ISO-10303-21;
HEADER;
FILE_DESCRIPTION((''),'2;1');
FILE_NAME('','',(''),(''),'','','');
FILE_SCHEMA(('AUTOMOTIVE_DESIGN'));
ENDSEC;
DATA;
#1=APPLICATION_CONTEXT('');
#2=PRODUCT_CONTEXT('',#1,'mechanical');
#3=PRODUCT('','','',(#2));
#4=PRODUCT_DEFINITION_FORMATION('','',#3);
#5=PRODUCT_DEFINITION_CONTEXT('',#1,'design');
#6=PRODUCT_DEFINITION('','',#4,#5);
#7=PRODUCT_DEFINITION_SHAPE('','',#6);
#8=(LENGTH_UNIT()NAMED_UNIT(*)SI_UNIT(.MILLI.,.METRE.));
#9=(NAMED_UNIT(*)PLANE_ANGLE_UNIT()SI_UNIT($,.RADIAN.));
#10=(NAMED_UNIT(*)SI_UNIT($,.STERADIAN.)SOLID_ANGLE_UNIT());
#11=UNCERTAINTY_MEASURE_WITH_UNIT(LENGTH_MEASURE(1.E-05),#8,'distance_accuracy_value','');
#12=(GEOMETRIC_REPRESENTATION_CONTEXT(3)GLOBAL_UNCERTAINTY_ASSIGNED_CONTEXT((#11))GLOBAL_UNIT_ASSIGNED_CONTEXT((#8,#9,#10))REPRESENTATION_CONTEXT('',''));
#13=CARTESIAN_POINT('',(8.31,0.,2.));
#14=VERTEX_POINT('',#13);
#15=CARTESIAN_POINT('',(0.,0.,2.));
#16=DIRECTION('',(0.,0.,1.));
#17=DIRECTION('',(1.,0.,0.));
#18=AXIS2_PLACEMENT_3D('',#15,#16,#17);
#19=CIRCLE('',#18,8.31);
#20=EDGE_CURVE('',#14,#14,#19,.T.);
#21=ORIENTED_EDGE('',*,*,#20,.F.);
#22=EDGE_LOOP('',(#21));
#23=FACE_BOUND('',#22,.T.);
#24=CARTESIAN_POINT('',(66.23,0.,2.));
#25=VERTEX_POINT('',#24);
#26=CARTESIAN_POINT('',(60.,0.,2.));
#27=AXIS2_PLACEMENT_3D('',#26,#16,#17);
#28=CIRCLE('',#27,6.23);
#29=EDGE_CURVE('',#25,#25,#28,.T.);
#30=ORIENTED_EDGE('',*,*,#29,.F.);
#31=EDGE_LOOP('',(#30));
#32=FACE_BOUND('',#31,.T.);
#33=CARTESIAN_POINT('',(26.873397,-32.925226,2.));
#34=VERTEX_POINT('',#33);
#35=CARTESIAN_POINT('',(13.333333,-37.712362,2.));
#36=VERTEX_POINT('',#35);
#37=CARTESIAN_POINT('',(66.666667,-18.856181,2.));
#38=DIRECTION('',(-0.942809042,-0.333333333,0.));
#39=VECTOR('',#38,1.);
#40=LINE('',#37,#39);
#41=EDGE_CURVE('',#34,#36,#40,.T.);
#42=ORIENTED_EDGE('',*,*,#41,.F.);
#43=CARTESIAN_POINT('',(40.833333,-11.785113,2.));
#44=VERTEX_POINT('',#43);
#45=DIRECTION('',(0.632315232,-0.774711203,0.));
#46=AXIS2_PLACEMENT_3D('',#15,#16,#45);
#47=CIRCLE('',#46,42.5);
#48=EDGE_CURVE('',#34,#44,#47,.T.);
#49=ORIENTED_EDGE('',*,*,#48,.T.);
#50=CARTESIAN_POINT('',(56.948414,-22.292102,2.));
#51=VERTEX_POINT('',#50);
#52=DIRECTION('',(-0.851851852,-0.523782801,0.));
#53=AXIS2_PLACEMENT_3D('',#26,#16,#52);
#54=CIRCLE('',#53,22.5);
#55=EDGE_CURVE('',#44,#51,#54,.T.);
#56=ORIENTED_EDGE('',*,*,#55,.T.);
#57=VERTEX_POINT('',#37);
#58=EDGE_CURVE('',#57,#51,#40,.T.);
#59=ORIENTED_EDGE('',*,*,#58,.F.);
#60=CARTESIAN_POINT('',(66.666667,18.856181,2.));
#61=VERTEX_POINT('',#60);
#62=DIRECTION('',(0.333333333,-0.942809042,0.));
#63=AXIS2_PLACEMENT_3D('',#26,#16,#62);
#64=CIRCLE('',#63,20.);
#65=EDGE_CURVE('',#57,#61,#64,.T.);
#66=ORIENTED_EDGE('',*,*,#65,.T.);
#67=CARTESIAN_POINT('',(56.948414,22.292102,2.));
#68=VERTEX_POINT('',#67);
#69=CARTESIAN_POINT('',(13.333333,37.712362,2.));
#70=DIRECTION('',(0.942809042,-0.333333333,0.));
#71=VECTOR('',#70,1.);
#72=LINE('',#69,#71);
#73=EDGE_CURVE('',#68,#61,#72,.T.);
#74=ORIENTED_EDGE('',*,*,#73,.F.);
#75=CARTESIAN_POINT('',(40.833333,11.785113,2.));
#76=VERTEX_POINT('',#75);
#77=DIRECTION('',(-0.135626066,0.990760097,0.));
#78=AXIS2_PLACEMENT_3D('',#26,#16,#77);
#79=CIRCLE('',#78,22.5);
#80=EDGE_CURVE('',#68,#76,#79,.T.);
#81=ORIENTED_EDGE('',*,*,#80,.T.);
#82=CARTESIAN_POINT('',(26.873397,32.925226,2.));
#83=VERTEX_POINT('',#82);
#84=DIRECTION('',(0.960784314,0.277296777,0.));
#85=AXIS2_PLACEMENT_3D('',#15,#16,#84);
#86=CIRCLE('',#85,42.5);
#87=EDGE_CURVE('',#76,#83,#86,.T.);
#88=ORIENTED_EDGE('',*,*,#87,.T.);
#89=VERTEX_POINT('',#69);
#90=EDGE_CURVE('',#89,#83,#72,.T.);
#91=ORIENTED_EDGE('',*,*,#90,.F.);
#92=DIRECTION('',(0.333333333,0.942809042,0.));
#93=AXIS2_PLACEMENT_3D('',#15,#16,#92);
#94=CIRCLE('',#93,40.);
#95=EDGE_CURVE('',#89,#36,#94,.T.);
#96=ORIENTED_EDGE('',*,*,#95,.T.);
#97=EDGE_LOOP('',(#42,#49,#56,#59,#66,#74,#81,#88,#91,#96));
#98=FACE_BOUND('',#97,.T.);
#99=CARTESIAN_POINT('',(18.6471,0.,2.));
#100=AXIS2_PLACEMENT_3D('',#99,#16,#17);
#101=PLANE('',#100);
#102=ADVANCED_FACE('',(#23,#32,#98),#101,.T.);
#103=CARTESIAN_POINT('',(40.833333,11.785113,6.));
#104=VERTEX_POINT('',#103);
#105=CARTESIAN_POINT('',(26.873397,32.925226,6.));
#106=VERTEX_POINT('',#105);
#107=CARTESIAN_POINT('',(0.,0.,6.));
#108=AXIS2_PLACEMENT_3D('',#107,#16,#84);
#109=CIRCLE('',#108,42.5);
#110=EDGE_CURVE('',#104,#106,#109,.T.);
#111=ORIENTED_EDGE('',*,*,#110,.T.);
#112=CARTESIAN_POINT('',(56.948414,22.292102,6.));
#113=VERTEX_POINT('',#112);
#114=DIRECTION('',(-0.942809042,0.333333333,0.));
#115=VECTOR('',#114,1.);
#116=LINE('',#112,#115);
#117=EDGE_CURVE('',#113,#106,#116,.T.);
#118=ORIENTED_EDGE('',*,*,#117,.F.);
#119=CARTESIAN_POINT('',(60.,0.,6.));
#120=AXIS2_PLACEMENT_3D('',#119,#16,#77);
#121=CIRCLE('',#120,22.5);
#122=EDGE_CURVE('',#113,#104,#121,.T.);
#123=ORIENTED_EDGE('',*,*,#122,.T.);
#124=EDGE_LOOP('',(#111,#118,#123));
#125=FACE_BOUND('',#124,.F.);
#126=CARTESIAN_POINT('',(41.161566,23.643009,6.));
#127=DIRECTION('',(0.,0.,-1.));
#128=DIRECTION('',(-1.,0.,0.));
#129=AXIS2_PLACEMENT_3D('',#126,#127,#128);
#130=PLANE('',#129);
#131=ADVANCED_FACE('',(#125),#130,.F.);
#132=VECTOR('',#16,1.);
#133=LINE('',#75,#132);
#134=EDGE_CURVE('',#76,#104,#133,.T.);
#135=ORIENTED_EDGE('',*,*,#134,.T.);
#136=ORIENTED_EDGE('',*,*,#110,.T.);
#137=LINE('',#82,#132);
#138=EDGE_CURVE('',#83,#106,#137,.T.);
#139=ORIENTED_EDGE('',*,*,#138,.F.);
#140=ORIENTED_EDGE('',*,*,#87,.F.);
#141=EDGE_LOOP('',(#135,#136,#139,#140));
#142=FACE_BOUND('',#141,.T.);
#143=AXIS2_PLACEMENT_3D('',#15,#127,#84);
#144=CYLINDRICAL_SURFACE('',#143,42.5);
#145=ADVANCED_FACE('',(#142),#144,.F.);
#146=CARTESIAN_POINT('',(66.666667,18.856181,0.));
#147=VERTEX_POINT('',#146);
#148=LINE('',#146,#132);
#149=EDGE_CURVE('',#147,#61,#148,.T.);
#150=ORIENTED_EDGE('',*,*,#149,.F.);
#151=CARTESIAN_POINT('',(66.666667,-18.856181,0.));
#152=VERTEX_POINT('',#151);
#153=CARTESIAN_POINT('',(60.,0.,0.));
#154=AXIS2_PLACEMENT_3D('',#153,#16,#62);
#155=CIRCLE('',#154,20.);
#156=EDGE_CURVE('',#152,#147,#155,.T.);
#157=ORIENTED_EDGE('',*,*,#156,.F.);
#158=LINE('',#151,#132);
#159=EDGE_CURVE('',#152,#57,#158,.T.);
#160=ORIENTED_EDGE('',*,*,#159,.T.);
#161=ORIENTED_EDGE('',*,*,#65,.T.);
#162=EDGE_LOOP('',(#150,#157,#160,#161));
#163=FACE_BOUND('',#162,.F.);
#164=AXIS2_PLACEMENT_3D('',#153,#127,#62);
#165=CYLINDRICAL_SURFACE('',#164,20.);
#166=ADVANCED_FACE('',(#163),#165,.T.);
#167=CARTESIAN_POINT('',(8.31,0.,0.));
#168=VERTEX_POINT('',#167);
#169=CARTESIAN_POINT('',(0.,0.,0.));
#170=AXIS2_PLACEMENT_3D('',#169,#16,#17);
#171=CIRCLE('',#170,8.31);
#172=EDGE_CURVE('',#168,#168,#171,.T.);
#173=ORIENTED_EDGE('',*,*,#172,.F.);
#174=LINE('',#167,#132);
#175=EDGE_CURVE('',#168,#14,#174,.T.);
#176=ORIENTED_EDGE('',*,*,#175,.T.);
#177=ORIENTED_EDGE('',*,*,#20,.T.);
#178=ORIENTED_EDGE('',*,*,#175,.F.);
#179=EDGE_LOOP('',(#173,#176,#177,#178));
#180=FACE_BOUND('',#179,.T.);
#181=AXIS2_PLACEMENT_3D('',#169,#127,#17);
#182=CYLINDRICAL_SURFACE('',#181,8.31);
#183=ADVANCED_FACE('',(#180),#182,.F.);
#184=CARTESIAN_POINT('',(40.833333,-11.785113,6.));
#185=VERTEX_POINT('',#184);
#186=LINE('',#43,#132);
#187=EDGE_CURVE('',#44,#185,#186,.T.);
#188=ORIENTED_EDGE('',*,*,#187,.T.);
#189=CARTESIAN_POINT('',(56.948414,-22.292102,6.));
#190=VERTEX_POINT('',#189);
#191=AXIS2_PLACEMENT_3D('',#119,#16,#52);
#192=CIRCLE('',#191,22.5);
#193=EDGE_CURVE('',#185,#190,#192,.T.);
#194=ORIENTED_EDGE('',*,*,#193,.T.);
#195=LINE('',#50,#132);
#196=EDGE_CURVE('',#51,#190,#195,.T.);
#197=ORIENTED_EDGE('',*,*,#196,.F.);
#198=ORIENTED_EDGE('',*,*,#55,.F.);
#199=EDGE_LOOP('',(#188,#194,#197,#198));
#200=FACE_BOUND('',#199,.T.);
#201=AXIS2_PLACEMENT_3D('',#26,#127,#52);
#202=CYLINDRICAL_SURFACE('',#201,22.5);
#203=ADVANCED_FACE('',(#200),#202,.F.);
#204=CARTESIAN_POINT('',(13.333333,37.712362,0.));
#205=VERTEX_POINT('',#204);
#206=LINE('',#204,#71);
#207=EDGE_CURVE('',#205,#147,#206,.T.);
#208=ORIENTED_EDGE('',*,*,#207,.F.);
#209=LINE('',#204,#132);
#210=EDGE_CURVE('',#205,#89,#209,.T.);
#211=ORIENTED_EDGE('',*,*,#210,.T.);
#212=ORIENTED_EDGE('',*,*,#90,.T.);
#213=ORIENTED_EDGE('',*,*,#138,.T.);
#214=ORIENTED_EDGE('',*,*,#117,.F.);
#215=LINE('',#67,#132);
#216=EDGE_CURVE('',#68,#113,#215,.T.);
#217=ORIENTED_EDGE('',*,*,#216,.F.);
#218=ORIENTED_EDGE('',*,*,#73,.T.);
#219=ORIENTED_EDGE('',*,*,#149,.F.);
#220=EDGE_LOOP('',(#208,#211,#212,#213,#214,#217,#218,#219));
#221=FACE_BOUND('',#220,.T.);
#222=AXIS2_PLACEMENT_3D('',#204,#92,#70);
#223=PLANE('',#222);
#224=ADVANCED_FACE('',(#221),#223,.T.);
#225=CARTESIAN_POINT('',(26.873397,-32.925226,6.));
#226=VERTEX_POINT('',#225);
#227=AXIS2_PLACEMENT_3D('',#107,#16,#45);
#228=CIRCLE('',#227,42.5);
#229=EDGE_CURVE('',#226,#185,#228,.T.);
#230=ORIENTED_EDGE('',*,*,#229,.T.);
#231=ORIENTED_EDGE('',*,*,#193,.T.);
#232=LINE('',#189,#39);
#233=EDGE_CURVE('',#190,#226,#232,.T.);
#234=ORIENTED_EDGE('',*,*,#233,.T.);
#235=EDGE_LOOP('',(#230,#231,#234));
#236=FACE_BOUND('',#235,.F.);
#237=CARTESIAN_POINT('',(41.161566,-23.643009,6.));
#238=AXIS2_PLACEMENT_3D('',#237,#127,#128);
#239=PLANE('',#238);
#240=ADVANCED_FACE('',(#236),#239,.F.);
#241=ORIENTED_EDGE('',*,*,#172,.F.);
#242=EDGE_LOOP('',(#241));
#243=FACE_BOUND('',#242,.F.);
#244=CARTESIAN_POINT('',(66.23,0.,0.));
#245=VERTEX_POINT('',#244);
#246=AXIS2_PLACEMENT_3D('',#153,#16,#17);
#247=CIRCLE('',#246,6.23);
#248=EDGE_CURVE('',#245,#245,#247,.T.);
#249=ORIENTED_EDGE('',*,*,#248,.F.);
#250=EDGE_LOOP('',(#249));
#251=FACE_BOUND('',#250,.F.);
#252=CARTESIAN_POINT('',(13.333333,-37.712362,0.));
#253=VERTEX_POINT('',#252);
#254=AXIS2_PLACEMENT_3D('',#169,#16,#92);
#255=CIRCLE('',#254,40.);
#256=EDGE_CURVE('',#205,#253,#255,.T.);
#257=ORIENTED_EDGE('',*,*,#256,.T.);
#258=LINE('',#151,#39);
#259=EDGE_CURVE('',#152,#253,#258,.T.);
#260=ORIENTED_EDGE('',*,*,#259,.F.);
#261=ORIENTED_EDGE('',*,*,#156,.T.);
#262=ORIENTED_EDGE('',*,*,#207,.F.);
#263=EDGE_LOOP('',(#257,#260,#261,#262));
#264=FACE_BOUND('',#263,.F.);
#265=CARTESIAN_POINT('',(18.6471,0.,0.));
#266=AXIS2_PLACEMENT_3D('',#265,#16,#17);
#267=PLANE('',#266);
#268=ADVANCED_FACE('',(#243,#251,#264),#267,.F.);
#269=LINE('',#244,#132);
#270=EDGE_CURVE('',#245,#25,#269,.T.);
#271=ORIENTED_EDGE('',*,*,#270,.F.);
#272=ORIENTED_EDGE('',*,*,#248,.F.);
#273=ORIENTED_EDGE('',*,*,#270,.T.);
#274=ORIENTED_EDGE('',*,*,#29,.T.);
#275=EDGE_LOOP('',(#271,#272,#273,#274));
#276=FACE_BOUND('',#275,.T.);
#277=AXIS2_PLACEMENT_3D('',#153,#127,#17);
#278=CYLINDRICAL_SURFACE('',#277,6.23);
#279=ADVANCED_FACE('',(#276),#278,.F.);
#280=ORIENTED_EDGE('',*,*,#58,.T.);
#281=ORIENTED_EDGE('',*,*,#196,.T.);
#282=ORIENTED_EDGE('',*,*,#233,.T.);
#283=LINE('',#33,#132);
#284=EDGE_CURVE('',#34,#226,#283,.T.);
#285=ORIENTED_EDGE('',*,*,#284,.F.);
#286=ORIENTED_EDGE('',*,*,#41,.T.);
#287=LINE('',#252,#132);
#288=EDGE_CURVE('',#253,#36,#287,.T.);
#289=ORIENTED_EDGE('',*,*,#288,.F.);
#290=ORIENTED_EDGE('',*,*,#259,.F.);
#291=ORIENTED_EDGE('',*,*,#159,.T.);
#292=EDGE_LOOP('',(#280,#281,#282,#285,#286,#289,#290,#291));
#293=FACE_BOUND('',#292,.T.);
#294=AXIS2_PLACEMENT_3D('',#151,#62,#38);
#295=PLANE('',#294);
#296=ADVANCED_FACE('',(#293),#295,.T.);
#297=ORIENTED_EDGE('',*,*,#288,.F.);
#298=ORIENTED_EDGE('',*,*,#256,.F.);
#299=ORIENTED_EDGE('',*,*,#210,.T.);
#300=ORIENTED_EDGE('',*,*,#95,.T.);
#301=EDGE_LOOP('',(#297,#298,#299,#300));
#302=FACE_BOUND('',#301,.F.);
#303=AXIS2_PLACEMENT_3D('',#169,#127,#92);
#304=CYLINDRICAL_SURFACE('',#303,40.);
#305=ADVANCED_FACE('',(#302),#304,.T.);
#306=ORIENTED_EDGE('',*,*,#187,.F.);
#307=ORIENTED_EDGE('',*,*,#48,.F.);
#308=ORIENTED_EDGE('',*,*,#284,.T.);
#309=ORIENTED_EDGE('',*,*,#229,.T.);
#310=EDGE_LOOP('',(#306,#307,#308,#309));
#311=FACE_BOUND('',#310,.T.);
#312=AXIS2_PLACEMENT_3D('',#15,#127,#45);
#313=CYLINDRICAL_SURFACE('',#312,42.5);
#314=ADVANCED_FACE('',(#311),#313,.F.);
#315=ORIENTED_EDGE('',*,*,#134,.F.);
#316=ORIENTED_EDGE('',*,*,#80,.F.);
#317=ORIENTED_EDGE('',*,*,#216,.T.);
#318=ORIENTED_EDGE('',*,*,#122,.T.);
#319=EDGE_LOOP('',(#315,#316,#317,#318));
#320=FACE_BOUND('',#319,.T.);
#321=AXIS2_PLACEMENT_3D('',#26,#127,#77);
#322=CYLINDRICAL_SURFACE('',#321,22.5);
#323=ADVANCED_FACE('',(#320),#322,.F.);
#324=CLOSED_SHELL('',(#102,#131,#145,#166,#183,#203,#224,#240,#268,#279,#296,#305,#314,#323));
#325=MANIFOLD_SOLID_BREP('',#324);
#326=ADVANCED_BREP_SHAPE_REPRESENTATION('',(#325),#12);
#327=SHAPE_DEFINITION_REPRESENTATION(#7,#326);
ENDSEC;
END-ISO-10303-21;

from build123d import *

# Parameters (mm, degrees)
EXTRUDE009_DEPTH = 4
SKETCH002_R      = 8.31
SKETCH002_R_2    = 6.23
EXTRUDE002_DEPTH = 2


with BuildPart() as juncao:
    # Sketch012 (on Face8 of Extrude002) → Extrude009 (new body)
    with BuildSketch(Plane.XY.offset(2)):
        with BuildLine():
            ThreePointArc((26.8733973411, -32.9252261245), (35.4651440174, -23.4195123738), (40.8333333333, -11.7851130198))
            ThreePointArc((40.8333333333, -11.7851130198), (47.7113101314, -18.8477611751), (56.9484135086, -22.2921021863))
            Line((56.9484135086, -22.2921021863), (26.8733973411, -32.9252261245))
        make_face()
        with BuildLine():
            ThreePointArc((56.9484135086, 22.2921021863), (47.7113101314, 18.8477611751), (40.8333333333, 11.7851130198))
            ThreePointArc((40.8333333333, 11.7851130198), (35.4651440174, 23.4195123738), (26.8733973411, 32.9252261245))
            Line((56.9484135086, 22.2921021863), (26.8733973411, 32.9252261245))
        make_face()
    extrude(amount=EXTRUDE009_DEPTH)


with BuildPart() as base001:
    # Sketch002 → Extrude002 (new body)
    with BuildSketch(Plane.XY):
        with BuildLine():
            ThreePointArc((13.3333333333, 37.7123616633), (-40, 0), (13.3333333333, -37.7123616633))
            Line((66.6666666667, -18.8561808316), (13.3333333333, -37.7123616633))
            ThreePointArc((66.6666666667, -18.8561808316), (80, 0), (66.6666666667, 18.8561808316))
            Line((13.3333333333, 37.7123616633), (66.6666666667, 18.8561808316))
        make_face()
        Circle(SKETCH002_R, mode=Mode.SUBTRACT)
        with Locations((60, 0)):
            Circle(SKETCH002_R_2, mode=Mode.SUBTRACT)
    extrude(amount=EXTRUDE002_DEPTH)

    # Fusion002: union Juncao
    add(juncao.part)


solid = base001.part
